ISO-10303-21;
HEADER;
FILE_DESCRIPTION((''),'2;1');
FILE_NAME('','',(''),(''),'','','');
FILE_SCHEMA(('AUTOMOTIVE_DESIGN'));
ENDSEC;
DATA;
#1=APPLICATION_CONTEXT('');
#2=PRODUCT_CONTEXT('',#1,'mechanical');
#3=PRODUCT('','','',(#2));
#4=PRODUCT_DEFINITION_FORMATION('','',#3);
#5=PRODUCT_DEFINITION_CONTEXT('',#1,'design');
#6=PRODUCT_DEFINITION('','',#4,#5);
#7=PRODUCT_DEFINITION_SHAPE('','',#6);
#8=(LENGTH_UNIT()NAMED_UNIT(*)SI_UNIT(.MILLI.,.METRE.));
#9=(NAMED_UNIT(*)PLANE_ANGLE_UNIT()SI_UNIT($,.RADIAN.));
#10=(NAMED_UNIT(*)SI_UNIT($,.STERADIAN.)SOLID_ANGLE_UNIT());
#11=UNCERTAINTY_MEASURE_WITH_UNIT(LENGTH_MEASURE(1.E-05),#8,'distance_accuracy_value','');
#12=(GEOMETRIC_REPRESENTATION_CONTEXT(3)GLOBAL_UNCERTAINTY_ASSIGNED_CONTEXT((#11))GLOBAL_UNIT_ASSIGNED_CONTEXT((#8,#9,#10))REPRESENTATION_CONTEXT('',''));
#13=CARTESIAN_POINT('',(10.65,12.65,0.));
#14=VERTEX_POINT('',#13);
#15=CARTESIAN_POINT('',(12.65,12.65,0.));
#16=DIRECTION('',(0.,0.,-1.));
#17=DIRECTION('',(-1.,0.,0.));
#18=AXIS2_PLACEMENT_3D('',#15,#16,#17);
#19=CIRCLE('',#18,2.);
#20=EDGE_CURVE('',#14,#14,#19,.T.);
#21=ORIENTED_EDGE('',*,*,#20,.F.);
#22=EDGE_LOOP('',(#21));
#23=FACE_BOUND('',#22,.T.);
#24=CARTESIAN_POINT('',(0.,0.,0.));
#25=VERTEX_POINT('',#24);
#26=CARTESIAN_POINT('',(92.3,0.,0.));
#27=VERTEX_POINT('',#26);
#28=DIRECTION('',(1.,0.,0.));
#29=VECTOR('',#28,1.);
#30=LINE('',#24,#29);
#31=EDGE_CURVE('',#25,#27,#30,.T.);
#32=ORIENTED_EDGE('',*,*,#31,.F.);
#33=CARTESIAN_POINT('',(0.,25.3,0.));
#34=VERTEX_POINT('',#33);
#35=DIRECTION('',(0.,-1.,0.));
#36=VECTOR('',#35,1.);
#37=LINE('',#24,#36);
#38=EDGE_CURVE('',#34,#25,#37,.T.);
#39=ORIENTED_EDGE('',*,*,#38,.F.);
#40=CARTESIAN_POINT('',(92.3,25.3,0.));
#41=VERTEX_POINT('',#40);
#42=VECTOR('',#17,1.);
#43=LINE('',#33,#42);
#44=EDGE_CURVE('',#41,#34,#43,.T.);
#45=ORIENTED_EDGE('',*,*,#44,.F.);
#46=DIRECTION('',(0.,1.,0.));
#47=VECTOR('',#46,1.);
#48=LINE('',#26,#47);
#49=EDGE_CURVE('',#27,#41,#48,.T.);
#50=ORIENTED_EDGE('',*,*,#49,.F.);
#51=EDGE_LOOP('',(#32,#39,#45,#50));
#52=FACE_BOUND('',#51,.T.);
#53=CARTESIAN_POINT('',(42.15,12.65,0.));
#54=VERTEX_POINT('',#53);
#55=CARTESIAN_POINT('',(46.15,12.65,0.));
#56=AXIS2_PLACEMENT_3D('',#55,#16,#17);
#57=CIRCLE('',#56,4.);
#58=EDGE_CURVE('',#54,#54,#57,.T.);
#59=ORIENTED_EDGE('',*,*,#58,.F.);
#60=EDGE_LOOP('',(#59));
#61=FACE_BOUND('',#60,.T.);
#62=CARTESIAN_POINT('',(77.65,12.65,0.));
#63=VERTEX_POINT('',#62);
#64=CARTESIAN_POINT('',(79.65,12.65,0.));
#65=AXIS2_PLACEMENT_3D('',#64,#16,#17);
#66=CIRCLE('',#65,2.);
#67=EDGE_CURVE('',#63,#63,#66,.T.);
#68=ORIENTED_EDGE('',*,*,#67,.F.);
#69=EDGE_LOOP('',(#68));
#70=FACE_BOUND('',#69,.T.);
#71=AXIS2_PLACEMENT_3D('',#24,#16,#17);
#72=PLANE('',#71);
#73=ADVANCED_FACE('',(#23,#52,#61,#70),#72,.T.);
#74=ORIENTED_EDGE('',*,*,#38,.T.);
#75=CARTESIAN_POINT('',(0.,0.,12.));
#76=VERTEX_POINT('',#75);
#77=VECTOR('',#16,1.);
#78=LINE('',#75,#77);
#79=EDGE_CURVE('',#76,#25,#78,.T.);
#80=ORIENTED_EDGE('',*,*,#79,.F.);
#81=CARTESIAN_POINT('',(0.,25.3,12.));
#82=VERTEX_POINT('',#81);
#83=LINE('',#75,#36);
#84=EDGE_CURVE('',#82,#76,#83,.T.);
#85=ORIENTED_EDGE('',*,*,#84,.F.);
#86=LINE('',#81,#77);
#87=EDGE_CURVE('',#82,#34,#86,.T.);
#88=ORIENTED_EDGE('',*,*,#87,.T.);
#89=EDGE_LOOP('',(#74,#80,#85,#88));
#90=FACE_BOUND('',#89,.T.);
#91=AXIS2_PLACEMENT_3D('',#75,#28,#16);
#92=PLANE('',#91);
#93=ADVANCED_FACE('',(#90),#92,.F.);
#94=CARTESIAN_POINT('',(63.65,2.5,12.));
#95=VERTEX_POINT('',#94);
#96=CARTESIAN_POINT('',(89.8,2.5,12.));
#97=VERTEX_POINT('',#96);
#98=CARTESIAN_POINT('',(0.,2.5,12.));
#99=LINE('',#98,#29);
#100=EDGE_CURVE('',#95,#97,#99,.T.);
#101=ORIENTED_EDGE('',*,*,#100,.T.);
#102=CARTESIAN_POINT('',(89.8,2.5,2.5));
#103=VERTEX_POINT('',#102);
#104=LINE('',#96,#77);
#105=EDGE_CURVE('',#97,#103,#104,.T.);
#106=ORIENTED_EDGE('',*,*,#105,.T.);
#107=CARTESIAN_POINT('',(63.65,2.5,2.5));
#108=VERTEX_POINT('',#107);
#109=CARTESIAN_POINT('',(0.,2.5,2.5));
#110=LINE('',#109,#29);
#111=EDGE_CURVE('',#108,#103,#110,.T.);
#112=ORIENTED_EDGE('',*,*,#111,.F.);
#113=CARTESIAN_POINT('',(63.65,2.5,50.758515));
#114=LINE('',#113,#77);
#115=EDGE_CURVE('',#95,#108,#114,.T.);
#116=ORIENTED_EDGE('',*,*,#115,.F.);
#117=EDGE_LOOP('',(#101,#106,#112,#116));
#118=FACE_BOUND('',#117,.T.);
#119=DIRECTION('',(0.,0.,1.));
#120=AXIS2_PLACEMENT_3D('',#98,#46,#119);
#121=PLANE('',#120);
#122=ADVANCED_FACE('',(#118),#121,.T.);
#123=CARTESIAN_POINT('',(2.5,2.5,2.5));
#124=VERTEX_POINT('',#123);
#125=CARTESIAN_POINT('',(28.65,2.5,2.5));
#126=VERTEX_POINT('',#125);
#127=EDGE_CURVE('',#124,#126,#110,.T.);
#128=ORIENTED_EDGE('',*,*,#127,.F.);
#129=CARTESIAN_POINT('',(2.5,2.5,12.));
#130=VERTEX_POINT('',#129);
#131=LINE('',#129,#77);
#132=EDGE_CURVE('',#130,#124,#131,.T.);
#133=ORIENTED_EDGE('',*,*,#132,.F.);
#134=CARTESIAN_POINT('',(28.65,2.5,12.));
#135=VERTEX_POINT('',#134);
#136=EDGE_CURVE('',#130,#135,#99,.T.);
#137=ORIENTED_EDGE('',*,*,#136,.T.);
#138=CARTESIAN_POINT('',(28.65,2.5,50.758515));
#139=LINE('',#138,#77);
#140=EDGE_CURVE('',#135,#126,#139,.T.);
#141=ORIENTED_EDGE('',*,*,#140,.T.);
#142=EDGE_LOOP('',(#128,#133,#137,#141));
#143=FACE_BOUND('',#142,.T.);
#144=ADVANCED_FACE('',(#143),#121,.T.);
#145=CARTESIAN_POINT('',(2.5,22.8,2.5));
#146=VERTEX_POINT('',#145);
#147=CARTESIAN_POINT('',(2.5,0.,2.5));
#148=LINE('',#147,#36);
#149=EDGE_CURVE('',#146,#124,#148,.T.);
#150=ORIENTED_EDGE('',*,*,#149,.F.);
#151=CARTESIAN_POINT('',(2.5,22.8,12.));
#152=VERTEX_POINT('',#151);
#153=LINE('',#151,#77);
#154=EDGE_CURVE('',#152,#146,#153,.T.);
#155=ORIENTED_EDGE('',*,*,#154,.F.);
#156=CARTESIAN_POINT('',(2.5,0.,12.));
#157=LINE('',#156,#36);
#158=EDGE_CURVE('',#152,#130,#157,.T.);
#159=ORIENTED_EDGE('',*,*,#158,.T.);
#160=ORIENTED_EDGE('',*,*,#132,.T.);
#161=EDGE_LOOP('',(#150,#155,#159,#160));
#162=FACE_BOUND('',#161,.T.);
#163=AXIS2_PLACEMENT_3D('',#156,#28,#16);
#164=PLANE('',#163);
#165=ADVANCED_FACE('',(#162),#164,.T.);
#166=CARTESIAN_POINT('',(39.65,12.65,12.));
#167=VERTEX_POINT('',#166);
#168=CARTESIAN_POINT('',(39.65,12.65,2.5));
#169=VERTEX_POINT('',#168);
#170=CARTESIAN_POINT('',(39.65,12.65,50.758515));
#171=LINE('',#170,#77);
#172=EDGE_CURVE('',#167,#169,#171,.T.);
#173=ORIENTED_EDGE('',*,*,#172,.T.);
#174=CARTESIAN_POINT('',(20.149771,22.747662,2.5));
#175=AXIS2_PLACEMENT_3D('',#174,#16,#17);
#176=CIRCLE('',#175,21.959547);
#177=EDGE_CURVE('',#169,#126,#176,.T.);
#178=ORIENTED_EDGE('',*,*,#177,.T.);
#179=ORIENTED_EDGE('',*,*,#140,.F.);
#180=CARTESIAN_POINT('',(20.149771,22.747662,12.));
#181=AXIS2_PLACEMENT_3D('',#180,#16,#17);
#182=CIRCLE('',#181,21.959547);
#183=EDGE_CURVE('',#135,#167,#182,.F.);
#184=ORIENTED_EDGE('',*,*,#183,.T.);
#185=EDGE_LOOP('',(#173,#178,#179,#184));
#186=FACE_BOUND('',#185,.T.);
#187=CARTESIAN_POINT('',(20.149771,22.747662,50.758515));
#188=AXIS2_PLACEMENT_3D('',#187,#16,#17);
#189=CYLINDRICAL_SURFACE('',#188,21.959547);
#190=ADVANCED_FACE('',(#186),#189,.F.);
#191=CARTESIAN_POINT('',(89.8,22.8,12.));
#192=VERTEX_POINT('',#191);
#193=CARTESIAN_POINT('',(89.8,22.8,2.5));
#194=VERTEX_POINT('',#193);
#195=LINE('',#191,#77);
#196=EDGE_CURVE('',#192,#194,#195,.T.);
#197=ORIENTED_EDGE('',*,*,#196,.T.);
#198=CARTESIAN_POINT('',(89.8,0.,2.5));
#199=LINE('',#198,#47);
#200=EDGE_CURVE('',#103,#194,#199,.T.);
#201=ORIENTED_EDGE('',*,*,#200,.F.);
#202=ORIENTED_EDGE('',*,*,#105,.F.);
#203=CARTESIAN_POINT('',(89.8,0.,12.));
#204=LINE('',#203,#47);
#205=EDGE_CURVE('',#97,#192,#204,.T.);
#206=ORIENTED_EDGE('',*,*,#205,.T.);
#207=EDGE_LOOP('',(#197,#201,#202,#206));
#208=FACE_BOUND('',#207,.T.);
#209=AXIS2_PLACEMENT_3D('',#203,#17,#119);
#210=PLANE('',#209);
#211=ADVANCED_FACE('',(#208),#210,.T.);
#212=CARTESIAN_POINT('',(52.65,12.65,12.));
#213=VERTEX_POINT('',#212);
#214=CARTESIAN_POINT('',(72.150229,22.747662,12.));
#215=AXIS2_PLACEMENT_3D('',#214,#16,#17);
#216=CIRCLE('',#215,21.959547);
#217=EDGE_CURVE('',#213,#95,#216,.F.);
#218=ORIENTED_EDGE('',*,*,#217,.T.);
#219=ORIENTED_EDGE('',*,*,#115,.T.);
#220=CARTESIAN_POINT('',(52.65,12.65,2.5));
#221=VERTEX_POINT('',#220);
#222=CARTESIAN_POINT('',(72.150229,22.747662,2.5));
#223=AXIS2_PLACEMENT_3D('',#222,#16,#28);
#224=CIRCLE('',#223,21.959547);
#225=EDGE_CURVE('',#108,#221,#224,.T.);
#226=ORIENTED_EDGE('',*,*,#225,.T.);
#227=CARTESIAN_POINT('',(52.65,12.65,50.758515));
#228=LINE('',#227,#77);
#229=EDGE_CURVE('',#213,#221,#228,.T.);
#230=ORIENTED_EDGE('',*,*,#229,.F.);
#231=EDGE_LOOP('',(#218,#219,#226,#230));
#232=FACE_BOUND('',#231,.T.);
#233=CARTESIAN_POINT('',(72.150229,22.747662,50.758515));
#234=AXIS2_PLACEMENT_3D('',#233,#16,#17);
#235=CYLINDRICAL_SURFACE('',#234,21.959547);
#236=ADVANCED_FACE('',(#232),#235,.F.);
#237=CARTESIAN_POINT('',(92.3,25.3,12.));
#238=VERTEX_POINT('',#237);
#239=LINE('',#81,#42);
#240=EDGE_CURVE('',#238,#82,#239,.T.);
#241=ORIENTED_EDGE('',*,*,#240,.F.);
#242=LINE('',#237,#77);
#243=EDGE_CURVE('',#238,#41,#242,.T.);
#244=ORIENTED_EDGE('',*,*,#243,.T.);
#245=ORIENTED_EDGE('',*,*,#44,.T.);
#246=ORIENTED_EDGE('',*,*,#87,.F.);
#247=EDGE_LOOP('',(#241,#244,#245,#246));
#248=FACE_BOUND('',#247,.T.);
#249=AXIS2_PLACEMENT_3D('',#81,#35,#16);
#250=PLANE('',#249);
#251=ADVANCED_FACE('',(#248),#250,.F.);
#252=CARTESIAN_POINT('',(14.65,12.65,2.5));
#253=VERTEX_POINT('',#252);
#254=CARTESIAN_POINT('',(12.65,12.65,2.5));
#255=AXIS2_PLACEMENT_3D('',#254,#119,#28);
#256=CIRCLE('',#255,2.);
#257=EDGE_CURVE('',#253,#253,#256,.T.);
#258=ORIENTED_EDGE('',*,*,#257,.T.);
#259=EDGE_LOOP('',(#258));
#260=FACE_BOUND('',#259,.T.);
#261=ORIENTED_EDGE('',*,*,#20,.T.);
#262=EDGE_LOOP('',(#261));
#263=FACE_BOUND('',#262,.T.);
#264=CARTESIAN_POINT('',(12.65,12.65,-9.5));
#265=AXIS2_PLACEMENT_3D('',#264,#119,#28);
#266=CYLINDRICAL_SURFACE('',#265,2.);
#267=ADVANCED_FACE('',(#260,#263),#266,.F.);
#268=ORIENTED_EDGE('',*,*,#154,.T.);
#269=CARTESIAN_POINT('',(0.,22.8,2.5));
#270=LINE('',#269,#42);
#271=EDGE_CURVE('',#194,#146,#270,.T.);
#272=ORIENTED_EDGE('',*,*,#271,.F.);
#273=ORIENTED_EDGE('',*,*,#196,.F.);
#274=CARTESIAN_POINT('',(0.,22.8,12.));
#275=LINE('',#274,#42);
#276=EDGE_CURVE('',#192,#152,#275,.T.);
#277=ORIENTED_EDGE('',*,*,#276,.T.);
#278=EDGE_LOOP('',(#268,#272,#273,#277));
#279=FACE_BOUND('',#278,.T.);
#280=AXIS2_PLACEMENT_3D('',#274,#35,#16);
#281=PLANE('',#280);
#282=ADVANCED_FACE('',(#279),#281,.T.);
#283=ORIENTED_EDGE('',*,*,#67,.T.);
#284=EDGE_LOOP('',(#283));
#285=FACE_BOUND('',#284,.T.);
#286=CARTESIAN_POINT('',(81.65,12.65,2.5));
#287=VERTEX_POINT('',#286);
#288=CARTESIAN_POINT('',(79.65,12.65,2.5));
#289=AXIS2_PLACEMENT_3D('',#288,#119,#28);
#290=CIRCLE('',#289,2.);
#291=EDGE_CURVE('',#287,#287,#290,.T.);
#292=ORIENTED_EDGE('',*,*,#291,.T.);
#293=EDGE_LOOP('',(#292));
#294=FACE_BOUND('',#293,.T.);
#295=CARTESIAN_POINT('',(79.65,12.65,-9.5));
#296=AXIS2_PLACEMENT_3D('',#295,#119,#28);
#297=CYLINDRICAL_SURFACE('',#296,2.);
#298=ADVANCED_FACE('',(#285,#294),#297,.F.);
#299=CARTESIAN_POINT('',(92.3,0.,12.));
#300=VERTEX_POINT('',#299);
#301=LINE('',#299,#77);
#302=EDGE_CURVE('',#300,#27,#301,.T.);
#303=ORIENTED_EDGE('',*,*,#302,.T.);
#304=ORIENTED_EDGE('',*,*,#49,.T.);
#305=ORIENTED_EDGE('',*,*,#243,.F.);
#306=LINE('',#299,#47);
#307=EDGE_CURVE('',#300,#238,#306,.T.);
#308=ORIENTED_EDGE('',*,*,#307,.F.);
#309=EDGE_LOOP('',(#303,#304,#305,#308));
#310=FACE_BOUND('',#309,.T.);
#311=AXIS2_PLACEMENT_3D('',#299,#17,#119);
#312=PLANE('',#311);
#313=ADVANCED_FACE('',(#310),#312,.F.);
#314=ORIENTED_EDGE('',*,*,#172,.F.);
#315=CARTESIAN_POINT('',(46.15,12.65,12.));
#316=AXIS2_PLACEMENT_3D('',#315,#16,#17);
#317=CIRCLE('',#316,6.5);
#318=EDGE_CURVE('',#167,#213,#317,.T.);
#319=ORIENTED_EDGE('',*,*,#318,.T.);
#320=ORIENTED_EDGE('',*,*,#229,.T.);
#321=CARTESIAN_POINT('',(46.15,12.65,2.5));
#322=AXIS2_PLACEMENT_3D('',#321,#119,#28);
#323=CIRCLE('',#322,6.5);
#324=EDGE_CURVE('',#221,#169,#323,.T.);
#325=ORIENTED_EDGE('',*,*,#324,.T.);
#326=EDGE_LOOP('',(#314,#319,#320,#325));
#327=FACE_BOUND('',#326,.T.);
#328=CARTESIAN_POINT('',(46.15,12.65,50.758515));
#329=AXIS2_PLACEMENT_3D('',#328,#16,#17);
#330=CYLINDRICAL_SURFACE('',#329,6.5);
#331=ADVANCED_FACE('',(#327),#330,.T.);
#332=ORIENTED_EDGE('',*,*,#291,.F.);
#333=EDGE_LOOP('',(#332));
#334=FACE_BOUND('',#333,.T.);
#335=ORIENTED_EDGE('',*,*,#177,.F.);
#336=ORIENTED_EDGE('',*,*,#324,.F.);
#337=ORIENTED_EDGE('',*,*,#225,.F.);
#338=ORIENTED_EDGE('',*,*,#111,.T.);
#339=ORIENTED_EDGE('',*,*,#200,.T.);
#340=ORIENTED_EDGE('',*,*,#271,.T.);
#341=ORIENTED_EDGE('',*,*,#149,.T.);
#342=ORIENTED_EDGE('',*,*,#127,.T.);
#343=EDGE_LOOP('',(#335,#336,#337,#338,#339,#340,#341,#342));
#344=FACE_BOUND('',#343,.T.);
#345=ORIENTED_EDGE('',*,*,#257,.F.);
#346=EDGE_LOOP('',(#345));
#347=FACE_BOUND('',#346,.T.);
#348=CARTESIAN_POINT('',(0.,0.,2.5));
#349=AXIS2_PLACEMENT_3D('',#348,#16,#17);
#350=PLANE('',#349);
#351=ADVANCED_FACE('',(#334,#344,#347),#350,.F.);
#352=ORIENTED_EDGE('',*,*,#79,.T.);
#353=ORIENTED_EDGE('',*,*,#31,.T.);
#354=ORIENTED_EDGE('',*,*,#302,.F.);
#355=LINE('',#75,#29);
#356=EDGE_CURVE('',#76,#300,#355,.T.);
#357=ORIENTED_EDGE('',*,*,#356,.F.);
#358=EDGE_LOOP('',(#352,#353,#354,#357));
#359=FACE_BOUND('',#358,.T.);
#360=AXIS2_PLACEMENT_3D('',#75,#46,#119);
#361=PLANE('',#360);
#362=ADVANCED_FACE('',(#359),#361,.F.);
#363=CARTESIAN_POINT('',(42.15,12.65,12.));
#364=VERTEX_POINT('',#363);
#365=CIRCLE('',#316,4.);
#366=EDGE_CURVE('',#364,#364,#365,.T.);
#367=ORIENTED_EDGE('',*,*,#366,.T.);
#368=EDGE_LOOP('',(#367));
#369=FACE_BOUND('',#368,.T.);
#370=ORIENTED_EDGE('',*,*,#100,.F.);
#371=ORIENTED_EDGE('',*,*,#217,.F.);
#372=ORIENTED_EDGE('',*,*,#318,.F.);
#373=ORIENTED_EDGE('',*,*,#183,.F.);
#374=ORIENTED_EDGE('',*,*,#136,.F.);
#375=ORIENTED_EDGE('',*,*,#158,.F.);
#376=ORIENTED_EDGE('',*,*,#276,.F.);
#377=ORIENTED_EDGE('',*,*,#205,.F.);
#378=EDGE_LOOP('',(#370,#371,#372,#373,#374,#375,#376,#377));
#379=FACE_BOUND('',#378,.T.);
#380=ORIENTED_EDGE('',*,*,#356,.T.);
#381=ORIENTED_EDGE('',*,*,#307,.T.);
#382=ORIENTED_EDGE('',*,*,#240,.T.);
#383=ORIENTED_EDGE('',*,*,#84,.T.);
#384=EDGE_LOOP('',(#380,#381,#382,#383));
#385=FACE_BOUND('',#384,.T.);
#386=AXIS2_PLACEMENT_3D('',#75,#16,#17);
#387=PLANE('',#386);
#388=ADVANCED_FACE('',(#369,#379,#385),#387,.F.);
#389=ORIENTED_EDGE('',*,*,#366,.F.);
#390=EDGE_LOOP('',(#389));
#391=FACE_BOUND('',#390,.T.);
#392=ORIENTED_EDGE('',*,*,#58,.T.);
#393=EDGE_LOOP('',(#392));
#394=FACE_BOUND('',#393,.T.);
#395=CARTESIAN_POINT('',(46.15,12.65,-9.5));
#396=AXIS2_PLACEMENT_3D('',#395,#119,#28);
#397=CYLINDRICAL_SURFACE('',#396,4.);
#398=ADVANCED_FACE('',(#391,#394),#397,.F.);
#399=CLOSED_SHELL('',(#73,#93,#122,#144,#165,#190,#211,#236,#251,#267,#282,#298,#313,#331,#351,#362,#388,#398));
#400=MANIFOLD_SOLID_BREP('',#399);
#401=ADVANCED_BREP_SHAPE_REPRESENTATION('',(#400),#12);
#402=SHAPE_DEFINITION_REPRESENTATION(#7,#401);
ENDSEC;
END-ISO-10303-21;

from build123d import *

# Parameters (mm, degrees)
CROQUIS2_W              = 92.3
CROQUIS2_H              = 25.3
SALIENTE_EXTRUIR1_DEPTH = 12
VACIADO1_T              = -2.5
CROQUIS3_R              = 4
CROQUIS3_R_2            = 2
CORTAR_EXTRUIR1_DEPTH   = 12
SALIENTE_EXTRUIR2_START = 9.5
CROQUIS5_R              = 4
SALIENTE_EXTRUIR2_DEPTH = 9.5


with BuildPart() as part:
    # Croquis2 → Saliente-Extruir1 (new body)
    with BuildSketch(Plane.XY):
        with Locations((46.15, 12.65)):
            Rectangle(CROQUIS2_W, CROQUIS2_H)
    extrude(amount=SALIENTE_EXTRUIR1_DEPTH)

    # Vaciado1
    vaciado1_openings = [part.faces().sort_by_distance(p)[0] for p in [
        (46.15, 12.65, 12),
    ]]
    offset(amount=VACIADO1_T, openings=vaciado1_openings, kind=Kind.INTERSECTION)

    # Croquis3 → Cortar-Extruir1 (cut)
    with BuildSketch(Plane.XY.offset(2.5)):
        with Locations((46.15, 12.65)):
            Circle(CROQUIS3_R)
        with Locations((12.65, 12.65)):
            Circle(CROQUIS3_R_2)
        with Locations((79.65, 12.65)):
            Circle(CROQUIS3_R_2)
    extrude(amount=-CORTAR_EXTRUIR1_DEPTH, mode=Mode.SUBTRACT)

    # Croquis5 → Saliente-Extruir2 (add)
    with BuildSketch(Plane.XY.offset(2.5).offset(SALIENTE_EXTRUIR2_START)):
        with BuildLine():
            Line((28.65, 2.5), (63.65, 2.5))
            ThreePointArc((63.65, 2.5), (57.258552241, 6.60889898), (52.65, 12.65))
            ThreePointArc((52.65, 12.65), (46.15, 19.15), (39.65, 12.65))
            ThreePointArc((39.65, 12.65), (35.041447759, 6.60889898), (28.65, 2.5))
        make_face()
        with Locations(Location((46.15, 12.65, 0), (0, 0, 180))):
            Circle(CROQUIS5_R, mode=Mode.SUBTRACT)
    extrude(amount=-SALIENTE_EXTRUIR2_DEPTH)


solid = part.part
